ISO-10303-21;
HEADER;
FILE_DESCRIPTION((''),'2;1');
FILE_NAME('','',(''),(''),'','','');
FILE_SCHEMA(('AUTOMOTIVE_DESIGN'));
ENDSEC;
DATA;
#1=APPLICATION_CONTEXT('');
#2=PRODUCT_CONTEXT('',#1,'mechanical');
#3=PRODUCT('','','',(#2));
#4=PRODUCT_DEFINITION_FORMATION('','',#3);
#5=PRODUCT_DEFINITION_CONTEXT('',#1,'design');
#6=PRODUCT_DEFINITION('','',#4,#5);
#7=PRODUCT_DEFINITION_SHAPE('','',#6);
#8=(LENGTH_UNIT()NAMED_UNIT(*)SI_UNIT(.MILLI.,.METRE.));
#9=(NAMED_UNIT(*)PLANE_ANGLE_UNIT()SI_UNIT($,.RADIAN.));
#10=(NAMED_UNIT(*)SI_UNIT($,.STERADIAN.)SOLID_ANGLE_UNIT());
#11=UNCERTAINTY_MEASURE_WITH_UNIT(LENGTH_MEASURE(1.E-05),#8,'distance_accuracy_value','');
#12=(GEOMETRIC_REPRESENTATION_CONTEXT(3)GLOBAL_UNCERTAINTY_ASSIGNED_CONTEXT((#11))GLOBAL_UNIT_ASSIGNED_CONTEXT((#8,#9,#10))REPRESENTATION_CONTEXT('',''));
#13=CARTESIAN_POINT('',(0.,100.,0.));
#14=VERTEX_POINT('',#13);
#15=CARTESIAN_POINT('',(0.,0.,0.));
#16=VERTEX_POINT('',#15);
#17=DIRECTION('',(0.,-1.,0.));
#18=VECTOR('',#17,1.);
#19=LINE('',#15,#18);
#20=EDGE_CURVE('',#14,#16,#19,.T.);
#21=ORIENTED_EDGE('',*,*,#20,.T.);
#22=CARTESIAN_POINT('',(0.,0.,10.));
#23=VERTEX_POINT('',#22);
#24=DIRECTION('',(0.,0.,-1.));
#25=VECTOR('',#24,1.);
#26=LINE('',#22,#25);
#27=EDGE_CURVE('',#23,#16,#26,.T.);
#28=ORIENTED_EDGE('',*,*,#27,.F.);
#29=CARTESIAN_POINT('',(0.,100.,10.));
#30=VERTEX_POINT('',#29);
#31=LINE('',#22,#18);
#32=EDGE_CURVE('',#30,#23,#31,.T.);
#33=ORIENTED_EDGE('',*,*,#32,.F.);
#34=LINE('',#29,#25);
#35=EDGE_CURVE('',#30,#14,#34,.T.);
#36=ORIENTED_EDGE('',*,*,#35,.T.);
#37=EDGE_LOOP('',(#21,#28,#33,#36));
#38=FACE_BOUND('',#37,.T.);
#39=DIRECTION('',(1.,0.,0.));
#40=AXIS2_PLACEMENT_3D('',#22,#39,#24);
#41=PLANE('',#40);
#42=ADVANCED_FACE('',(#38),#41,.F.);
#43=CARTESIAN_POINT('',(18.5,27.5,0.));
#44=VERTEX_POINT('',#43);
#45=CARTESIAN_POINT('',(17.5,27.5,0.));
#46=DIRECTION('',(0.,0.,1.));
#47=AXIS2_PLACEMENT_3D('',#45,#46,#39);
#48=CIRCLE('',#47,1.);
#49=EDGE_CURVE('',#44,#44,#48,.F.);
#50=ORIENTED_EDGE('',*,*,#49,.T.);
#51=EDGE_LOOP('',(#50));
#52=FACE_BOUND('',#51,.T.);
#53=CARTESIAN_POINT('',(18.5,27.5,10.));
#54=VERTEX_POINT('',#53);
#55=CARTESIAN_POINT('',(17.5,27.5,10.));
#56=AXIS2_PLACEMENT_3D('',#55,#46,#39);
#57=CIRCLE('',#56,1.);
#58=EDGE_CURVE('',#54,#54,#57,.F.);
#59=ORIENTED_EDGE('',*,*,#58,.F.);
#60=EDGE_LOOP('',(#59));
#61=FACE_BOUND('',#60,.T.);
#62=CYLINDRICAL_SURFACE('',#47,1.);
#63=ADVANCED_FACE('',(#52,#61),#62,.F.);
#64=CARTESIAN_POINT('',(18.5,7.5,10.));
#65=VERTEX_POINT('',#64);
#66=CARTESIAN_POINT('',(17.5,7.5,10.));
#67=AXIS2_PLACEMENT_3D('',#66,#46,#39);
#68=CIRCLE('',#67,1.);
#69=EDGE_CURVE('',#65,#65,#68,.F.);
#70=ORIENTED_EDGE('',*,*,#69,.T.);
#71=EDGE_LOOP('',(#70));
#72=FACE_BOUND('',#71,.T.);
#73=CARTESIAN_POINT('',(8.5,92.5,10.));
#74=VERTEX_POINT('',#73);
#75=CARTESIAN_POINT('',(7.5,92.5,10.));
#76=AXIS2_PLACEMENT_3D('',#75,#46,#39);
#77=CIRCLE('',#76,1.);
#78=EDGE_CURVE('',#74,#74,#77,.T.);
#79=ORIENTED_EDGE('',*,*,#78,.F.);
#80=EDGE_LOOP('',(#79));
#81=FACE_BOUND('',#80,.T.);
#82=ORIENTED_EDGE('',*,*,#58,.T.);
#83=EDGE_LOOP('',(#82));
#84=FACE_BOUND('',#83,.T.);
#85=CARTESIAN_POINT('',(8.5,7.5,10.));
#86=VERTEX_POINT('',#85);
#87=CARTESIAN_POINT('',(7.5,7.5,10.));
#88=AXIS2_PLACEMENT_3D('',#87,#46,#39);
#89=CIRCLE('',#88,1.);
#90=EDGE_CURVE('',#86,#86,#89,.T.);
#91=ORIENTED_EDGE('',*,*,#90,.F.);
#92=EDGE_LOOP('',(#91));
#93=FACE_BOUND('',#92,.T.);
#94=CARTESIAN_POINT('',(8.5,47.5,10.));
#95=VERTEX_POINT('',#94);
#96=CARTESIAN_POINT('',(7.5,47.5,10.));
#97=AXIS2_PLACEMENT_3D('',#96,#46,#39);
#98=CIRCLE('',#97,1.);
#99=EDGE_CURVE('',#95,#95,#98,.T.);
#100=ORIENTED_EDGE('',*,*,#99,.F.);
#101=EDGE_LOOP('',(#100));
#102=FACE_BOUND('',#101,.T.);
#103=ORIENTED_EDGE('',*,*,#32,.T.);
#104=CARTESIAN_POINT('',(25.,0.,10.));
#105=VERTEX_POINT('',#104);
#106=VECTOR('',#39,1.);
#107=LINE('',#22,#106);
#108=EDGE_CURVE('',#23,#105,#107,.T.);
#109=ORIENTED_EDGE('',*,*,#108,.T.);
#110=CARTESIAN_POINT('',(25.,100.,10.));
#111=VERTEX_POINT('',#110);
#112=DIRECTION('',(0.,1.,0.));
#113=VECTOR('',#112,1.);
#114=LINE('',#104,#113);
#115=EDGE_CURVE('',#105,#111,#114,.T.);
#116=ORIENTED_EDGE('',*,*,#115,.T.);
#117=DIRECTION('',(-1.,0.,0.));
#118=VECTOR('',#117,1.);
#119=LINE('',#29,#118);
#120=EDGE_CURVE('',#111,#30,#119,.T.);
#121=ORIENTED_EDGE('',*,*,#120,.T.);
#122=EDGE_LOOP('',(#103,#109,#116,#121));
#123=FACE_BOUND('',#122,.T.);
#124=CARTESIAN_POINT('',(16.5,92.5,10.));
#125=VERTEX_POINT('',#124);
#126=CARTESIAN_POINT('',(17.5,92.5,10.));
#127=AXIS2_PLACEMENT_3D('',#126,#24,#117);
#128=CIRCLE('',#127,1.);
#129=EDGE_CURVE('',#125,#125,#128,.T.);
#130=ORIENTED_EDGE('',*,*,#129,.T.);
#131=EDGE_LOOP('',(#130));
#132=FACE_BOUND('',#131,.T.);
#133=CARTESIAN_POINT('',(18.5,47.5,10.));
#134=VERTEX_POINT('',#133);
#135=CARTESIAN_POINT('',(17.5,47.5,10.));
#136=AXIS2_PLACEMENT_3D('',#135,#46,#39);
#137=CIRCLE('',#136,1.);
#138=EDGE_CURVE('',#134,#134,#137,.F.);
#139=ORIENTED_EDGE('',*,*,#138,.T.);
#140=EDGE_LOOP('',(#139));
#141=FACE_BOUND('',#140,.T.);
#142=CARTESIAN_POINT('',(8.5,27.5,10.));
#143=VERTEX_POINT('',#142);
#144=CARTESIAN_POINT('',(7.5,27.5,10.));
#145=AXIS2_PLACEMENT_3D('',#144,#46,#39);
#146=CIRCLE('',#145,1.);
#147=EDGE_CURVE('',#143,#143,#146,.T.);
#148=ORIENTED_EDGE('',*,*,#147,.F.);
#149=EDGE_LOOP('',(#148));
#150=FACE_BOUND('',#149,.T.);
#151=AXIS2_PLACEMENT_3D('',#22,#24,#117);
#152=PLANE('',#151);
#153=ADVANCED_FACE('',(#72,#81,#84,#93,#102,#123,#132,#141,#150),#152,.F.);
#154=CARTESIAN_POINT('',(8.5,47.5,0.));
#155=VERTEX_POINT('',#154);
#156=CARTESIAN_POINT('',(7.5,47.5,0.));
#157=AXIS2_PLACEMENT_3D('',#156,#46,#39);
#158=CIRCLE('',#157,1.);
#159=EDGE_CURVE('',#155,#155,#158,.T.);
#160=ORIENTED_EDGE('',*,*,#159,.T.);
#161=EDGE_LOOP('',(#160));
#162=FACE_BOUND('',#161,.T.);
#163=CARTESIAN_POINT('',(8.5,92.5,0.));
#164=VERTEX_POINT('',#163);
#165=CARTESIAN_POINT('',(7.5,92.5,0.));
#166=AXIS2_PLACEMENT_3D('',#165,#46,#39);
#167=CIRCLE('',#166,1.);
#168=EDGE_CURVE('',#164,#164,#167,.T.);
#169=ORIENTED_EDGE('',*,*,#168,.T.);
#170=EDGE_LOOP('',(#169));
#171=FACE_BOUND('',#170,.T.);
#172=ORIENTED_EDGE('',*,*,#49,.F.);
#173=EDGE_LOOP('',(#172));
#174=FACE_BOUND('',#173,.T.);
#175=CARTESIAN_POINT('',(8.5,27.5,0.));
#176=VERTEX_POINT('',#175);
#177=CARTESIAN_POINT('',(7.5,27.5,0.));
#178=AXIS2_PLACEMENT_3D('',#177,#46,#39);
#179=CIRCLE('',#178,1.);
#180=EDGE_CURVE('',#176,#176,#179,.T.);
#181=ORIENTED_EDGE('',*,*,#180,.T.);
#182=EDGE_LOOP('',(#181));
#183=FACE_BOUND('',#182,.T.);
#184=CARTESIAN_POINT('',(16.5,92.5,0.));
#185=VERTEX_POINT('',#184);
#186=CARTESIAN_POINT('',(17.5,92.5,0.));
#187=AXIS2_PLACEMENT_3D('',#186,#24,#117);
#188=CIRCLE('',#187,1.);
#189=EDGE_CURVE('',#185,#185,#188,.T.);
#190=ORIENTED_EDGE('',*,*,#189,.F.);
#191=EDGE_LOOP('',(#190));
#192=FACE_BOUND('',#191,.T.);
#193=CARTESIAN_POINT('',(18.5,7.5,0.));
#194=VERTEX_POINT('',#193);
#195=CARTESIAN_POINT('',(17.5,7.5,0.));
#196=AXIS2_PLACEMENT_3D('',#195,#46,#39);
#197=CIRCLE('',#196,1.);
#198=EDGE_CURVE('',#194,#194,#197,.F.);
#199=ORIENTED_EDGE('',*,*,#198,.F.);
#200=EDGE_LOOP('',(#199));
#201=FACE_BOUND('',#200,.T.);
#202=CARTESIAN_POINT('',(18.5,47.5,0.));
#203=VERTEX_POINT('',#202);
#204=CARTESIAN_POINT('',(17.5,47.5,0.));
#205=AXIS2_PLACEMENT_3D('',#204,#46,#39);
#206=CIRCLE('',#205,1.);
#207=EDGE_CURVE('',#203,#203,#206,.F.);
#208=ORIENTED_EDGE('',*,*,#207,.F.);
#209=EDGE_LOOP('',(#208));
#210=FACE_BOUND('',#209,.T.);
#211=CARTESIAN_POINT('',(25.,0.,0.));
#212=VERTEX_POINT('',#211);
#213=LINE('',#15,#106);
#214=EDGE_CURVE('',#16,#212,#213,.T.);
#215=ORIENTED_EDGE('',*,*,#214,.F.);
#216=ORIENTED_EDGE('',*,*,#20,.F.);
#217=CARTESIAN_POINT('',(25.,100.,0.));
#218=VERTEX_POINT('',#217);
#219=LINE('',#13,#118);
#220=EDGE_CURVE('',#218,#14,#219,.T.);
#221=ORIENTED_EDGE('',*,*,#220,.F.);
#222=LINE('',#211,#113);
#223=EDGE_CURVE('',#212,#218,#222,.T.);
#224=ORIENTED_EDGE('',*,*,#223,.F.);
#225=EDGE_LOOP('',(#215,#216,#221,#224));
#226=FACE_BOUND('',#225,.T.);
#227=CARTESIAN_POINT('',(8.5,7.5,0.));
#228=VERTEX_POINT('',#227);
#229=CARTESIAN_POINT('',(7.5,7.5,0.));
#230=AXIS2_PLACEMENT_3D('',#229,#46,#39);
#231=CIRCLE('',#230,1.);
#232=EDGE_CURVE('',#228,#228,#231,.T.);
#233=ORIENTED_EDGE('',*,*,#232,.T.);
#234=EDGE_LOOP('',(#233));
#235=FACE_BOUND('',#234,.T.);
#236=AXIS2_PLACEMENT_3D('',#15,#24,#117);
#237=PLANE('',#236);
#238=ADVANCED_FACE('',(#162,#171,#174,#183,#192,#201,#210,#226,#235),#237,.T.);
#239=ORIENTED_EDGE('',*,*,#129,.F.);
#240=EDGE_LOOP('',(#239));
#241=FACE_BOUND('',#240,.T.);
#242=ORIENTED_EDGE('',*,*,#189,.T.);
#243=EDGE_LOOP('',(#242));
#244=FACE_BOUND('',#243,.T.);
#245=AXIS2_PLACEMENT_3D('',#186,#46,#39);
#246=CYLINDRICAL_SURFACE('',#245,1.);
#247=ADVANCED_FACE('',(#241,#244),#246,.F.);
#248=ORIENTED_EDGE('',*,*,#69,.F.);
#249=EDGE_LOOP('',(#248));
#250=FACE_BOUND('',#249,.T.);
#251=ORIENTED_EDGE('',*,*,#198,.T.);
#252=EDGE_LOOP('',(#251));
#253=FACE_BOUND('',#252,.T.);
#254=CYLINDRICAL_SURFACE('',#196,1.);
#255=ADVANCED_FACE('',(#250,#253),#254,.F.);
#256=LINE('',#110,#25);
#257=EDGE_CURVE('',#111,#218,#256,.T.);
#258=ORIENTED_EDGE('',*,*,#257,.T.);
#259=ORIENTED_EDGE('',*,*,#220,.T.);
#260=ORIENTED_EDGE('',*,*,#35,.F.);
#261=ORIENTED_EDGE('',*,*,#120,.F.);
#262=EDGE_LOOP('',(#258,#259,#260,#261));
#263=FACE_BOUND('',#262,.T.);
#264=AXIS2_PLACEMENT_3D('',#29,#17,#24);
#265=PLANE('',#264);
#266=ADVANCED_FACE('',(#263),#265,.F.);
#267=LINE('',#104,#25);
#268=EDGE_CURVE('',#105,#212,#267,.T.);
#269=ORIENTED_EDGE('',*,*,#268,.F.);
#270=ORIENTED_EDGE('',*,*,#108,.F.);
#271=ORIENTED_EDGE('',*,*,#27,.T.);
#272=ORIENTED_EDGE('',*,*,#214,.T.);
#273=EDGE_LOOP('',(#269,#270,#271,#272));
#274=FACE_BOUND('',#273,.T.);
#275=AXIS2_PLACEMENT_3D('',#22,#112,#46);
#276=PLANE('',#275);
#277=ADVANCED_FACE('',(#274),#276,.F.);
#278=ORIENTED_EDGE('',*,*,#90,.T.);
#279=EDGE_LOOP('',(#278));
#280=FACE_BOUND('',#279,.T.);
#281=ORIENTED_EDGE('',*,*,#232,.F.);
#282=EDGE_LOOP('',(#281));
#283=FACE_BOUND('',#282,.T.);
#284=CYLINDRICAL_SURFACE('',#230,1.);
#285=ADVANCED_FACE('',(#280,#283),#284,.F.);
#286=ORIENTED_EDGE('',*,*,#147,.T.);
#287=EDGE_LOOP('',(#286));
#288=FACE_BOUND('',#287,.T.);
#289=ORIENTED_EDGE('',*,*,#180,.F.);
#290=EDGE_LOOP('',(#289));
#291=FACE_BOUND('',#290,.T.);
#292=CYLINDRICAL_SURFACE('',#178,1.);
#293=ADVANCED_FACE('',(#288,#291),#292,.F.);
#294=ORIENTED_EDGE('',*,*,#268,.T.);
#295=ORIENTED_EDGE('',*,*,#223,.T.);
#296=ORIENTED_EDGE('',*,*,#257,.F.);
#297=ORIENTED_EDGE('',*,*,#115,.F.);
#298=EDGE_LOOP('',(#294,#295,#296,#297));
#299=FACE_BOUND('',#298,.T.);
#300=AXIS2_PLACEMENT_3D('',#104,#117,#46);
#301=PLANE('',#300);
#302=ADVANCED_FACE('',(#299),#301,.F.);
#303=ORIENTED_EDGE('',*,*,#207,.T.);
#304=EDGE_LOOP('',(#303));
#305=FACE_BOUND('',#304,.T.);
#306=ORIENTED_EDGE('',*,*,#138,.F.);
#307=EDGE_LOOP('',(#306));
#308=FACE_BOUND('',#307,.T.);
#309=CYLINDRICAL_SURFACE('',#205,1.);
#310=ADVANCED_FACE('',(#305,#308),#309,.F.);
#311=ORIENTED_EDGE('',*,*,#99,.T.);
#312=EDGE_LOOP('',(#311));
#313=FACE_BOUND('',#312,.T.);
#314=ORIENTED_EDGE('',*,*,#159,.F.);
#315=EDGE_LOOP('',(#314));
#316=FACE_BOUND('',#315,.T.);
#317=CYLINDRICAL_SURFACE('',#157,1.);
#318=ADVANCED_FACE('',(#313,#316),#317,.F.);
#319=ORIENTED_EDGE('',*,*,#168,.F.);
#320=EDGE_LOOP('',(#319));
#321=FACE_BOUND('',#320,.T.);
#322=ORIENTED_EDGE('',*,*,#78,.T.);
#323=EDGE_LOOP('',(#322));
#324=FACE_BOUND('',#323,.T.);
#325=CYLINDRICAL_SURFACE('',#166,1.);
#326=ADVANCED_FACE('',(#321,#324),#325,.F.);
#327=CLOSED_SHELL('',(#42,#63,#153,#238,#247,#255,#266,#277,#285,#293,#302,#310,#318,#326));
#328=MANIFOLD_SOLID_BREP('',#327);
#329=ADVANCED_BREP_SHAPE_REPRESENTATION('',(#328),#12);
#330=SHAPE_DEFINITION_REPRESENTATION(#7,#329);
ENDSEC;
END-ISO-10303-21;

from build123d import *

# Parameters (mm, degrees)
SKETCH1_W           = 25
SKETCH1_H           = 100
BOSS_EXTRUDE1_DEPTH = 10
SKETCH2_R           = 1
CUT_EXTRUDE1_DEPTH  = 104.561575886


with BuildPart() as part:
    # Sketch1 → Boss-Extrude1 (new body)
    with BuildSketch(Plane.XY):
        with Locations((12.5, 50)):
            Rectangle(SKETCH1_W, SKETCH1_H)
    extrude(amount=BOSS_EXTRUDE1_DEPTH)

    # Sketch2 → Cut-Extrude1 (cut, through all)
    with BuildSketch(Plane.XY.offset(10)):
        with Locations((7.5, 92.5)):
            Circle(SKETCH2_R)
        with Locations((17.5, 47.5)):
            Circle(SKETCH2_R)
        with Locations((7.5, 47.5)):
            Circle(SKETCH2_R)
        with Locations((17.5, 27.5)):
            Circle(SKETCH2_R)
        with Locations((7.5, 27.5)):
            Circle(SKETCH2_R)
        with Locations((17.5, 7.5)):
            Circle(SKETCH2_R)
        with Locations((7.5, 7.5)):
            Circle(SKETCH2_R)
        with Locations(Location((17.5, 92.5, 0), (0, 0, 180))):
            Circle(SKETCH2_R)
    extrude(amount=-CUT_EXTRUDE1_DEPTH, mode=Mode.SUBTRACT)


solid = part.part
